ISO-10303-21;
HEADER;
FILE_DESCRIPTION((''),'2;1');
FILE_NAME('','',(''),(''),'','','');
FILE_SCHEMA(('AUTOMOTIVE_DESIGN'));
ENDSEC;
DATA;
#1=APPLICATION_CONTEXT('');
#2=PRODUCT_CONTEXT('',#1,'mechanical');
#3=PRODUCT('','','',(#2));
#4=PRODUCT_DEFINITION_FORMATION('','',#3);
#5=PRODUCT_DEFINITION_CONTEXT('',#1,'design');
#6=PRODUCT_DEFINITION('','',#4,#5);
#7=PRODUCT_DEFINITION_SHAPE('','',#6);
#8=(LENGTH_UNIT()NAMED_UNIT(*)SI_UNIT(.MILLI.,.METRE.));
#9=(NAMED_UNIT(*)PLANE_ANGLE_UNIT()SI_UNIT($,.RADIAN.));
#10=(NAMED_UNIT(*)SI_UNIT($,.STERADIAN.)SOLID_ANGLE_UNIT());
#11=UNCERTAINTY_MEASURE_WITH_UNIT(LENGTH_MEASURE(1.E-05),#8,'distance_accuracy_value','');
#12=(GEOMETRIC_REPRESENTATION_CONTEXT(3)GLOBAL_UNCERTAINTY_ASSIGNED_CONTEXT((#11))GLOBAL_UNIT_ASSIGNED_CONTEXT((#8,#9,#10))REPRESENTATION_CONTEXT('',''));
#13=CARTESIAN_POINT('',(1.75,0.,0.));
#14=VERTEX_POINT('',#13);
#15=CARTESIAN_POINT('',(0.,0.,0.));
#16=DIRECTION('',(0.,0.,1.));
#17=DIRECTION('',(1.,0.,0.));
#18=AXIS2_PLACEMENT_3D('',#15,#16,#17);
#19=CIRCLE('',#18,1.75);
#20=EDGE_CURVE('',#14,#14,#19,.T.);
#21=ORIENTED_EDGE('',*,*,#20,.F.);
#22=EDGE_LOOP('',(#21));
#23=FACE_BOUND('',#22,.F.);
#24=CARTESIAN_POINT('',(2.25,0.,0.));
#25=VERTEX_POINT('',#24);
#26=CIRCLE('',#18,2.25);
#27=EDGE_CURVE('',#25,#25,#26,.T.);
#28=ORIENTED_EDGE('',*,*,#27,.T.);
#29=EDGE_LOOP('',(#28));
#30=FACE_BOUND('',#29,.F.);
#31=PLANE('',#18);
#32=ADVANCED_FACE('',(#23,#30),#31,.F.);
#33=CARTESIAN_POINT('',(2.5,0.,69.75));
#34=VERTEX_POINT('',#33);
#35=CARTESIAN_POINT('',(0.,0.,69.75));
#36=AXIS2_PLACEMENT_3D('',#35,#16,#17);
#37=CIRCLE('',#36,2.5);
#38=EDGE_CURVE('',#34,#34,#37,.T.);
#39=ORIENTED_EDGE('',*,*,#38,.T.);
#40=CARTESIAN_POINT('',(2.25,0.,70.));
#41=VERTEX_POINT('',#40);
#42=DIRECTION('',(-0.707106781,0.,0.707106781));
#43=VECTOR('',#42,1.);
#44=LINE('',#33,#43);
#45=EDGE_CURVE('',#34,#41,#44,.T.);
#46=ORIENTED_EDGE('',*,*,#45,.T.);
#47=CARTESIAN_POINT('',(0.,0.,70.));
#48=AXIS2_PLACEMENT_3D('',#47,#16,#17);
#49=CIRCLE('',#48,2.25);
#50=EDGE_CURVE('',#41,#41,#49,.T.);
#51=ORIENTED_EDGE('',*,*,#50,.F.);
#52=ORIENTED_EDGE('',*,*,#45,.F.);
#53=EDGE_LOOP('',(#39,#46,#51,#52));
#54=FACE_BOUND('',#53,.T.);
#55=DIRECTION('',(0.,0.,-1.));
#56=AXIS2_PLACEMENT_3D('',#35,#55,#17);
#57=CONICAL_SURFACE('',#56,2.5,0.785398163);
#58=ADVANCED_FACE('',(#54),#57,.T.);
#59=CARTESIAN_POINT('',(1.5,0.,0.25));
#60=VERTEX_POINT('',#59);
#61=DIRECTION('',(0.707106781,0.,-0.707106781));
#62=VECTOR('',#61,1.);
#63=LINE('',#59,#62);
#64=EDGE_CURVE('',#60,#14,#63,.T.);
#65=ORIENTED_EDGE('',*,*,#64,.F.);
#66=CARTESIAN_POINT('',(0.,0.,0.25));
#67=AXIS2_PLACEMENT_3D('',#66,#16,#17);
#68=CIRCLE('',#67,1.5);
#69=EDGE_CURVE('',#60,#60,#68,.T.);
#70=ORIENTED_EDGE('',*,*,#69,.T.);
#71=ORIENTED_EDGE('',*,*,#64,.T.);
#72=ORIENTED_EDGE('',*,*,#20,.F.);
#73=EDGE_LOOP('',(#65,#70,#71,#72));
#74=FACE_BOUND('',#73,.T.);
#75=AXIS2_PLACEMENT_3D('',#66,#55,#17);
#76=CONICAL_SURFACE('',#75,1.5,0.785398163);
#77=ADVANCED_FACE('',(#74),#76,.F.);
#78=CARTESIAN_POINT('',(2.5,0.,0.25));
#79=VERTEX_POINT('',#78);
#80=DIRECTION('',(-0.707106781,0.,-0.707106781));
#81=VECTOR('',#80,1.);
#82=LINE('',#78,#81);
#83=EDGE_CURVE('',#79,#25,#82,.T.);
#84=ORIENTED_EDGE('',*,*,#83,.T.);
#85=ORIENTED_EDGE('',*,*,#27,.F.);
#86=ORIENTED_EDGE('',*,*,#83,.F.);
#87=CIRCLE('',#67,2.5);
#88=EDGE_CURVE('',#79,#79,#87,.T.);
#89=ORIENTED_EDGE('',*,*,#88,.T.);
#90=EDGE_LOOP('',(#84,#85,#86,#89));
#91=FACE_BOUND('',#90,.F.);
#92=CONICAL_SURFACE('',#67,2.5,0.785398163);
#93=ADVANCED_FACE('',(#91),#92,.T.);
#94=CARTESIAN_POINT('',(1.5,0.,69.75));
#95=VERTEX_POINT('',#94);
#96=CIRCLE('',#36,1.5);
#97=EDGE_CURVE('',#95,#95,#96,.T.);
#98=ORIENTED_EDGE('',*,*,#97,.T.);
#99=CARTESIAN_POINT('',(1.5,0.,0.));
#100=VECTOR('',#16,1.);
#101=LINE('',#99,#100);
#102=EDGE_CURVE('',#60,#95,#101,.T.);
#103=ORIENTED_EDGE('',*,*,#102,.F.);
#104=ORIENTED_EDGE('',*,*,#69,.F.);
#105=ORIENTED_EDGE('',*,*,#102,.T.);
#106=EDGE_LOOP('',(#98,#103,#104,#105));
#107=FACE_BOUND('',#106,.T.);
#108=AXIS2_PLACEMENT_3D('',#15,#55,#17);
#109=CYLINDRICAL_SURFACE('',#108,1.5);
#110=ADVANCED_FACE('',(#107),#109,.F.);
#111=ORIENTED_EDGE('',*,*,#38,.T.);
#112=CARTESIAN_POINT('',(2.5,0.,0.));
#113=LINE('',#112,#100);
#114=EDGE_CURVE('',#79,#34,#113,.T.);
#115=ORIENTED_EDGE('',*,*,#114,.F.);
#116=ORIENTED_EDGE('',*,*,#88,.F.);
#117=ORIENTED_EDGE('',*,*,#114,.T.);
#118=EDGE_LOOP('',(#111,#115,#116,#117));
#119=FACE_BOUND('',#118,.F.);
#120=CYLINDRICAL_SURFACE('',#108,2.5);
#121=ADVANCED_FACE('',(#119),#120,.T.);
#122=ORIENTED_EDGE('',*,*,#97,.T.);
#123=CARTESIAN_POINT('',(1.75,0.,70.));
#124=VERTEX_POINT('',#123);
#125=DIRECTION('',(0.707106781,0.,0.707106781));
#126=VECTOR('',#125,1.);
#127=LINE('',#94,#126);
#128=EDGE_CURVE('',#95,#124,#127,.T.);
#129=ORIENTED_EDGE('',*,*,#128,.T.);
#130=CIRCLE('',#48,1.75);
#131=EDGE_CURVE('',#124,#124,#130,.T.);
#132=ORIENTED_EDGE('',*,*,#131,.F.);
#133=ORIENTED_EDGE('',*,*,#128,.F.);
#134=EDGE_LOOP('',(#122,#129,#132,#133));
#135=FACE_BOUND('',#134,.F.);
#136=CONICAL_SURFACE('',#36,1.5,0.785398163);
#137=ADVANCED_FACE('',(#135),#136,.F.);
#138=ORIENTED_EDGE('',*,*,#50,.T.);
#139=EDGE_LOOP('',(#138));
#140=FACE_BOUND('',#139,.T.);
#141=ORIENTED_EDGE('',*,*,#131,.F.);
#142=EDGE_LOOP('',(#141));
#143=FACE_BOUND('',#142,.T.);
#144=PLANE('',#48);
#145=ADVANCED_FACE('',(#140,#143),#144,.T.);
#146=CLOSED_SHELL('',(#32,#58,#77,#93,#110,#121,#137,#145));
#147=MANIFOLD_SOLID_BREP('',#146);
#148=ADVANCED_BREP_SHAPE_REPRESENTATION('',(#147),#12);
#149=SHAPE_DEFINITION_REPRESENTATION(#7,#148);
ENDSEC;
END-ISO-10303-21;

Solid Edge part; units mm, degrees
sketch "Sketch1" plane through (0, 0, 0) normal (0, 0, 1) x (1, 0, 0)
  circle A0 centre (0, 0) radius 1.5
  circle A1 centre (0, 0) radius 2.5
  dimension "D1" = 3
  dimension "D2" = 5
extrude "Protrusion1" add sketch "Sketch1" along normal blind 70
chamfer "Chamfer" distance 0.25 angle 45 4 edges at (-1.5, 0, 70) (-1.5, 0, 0) (-2.5, 0, 70) (-2.5, 0, 0)
